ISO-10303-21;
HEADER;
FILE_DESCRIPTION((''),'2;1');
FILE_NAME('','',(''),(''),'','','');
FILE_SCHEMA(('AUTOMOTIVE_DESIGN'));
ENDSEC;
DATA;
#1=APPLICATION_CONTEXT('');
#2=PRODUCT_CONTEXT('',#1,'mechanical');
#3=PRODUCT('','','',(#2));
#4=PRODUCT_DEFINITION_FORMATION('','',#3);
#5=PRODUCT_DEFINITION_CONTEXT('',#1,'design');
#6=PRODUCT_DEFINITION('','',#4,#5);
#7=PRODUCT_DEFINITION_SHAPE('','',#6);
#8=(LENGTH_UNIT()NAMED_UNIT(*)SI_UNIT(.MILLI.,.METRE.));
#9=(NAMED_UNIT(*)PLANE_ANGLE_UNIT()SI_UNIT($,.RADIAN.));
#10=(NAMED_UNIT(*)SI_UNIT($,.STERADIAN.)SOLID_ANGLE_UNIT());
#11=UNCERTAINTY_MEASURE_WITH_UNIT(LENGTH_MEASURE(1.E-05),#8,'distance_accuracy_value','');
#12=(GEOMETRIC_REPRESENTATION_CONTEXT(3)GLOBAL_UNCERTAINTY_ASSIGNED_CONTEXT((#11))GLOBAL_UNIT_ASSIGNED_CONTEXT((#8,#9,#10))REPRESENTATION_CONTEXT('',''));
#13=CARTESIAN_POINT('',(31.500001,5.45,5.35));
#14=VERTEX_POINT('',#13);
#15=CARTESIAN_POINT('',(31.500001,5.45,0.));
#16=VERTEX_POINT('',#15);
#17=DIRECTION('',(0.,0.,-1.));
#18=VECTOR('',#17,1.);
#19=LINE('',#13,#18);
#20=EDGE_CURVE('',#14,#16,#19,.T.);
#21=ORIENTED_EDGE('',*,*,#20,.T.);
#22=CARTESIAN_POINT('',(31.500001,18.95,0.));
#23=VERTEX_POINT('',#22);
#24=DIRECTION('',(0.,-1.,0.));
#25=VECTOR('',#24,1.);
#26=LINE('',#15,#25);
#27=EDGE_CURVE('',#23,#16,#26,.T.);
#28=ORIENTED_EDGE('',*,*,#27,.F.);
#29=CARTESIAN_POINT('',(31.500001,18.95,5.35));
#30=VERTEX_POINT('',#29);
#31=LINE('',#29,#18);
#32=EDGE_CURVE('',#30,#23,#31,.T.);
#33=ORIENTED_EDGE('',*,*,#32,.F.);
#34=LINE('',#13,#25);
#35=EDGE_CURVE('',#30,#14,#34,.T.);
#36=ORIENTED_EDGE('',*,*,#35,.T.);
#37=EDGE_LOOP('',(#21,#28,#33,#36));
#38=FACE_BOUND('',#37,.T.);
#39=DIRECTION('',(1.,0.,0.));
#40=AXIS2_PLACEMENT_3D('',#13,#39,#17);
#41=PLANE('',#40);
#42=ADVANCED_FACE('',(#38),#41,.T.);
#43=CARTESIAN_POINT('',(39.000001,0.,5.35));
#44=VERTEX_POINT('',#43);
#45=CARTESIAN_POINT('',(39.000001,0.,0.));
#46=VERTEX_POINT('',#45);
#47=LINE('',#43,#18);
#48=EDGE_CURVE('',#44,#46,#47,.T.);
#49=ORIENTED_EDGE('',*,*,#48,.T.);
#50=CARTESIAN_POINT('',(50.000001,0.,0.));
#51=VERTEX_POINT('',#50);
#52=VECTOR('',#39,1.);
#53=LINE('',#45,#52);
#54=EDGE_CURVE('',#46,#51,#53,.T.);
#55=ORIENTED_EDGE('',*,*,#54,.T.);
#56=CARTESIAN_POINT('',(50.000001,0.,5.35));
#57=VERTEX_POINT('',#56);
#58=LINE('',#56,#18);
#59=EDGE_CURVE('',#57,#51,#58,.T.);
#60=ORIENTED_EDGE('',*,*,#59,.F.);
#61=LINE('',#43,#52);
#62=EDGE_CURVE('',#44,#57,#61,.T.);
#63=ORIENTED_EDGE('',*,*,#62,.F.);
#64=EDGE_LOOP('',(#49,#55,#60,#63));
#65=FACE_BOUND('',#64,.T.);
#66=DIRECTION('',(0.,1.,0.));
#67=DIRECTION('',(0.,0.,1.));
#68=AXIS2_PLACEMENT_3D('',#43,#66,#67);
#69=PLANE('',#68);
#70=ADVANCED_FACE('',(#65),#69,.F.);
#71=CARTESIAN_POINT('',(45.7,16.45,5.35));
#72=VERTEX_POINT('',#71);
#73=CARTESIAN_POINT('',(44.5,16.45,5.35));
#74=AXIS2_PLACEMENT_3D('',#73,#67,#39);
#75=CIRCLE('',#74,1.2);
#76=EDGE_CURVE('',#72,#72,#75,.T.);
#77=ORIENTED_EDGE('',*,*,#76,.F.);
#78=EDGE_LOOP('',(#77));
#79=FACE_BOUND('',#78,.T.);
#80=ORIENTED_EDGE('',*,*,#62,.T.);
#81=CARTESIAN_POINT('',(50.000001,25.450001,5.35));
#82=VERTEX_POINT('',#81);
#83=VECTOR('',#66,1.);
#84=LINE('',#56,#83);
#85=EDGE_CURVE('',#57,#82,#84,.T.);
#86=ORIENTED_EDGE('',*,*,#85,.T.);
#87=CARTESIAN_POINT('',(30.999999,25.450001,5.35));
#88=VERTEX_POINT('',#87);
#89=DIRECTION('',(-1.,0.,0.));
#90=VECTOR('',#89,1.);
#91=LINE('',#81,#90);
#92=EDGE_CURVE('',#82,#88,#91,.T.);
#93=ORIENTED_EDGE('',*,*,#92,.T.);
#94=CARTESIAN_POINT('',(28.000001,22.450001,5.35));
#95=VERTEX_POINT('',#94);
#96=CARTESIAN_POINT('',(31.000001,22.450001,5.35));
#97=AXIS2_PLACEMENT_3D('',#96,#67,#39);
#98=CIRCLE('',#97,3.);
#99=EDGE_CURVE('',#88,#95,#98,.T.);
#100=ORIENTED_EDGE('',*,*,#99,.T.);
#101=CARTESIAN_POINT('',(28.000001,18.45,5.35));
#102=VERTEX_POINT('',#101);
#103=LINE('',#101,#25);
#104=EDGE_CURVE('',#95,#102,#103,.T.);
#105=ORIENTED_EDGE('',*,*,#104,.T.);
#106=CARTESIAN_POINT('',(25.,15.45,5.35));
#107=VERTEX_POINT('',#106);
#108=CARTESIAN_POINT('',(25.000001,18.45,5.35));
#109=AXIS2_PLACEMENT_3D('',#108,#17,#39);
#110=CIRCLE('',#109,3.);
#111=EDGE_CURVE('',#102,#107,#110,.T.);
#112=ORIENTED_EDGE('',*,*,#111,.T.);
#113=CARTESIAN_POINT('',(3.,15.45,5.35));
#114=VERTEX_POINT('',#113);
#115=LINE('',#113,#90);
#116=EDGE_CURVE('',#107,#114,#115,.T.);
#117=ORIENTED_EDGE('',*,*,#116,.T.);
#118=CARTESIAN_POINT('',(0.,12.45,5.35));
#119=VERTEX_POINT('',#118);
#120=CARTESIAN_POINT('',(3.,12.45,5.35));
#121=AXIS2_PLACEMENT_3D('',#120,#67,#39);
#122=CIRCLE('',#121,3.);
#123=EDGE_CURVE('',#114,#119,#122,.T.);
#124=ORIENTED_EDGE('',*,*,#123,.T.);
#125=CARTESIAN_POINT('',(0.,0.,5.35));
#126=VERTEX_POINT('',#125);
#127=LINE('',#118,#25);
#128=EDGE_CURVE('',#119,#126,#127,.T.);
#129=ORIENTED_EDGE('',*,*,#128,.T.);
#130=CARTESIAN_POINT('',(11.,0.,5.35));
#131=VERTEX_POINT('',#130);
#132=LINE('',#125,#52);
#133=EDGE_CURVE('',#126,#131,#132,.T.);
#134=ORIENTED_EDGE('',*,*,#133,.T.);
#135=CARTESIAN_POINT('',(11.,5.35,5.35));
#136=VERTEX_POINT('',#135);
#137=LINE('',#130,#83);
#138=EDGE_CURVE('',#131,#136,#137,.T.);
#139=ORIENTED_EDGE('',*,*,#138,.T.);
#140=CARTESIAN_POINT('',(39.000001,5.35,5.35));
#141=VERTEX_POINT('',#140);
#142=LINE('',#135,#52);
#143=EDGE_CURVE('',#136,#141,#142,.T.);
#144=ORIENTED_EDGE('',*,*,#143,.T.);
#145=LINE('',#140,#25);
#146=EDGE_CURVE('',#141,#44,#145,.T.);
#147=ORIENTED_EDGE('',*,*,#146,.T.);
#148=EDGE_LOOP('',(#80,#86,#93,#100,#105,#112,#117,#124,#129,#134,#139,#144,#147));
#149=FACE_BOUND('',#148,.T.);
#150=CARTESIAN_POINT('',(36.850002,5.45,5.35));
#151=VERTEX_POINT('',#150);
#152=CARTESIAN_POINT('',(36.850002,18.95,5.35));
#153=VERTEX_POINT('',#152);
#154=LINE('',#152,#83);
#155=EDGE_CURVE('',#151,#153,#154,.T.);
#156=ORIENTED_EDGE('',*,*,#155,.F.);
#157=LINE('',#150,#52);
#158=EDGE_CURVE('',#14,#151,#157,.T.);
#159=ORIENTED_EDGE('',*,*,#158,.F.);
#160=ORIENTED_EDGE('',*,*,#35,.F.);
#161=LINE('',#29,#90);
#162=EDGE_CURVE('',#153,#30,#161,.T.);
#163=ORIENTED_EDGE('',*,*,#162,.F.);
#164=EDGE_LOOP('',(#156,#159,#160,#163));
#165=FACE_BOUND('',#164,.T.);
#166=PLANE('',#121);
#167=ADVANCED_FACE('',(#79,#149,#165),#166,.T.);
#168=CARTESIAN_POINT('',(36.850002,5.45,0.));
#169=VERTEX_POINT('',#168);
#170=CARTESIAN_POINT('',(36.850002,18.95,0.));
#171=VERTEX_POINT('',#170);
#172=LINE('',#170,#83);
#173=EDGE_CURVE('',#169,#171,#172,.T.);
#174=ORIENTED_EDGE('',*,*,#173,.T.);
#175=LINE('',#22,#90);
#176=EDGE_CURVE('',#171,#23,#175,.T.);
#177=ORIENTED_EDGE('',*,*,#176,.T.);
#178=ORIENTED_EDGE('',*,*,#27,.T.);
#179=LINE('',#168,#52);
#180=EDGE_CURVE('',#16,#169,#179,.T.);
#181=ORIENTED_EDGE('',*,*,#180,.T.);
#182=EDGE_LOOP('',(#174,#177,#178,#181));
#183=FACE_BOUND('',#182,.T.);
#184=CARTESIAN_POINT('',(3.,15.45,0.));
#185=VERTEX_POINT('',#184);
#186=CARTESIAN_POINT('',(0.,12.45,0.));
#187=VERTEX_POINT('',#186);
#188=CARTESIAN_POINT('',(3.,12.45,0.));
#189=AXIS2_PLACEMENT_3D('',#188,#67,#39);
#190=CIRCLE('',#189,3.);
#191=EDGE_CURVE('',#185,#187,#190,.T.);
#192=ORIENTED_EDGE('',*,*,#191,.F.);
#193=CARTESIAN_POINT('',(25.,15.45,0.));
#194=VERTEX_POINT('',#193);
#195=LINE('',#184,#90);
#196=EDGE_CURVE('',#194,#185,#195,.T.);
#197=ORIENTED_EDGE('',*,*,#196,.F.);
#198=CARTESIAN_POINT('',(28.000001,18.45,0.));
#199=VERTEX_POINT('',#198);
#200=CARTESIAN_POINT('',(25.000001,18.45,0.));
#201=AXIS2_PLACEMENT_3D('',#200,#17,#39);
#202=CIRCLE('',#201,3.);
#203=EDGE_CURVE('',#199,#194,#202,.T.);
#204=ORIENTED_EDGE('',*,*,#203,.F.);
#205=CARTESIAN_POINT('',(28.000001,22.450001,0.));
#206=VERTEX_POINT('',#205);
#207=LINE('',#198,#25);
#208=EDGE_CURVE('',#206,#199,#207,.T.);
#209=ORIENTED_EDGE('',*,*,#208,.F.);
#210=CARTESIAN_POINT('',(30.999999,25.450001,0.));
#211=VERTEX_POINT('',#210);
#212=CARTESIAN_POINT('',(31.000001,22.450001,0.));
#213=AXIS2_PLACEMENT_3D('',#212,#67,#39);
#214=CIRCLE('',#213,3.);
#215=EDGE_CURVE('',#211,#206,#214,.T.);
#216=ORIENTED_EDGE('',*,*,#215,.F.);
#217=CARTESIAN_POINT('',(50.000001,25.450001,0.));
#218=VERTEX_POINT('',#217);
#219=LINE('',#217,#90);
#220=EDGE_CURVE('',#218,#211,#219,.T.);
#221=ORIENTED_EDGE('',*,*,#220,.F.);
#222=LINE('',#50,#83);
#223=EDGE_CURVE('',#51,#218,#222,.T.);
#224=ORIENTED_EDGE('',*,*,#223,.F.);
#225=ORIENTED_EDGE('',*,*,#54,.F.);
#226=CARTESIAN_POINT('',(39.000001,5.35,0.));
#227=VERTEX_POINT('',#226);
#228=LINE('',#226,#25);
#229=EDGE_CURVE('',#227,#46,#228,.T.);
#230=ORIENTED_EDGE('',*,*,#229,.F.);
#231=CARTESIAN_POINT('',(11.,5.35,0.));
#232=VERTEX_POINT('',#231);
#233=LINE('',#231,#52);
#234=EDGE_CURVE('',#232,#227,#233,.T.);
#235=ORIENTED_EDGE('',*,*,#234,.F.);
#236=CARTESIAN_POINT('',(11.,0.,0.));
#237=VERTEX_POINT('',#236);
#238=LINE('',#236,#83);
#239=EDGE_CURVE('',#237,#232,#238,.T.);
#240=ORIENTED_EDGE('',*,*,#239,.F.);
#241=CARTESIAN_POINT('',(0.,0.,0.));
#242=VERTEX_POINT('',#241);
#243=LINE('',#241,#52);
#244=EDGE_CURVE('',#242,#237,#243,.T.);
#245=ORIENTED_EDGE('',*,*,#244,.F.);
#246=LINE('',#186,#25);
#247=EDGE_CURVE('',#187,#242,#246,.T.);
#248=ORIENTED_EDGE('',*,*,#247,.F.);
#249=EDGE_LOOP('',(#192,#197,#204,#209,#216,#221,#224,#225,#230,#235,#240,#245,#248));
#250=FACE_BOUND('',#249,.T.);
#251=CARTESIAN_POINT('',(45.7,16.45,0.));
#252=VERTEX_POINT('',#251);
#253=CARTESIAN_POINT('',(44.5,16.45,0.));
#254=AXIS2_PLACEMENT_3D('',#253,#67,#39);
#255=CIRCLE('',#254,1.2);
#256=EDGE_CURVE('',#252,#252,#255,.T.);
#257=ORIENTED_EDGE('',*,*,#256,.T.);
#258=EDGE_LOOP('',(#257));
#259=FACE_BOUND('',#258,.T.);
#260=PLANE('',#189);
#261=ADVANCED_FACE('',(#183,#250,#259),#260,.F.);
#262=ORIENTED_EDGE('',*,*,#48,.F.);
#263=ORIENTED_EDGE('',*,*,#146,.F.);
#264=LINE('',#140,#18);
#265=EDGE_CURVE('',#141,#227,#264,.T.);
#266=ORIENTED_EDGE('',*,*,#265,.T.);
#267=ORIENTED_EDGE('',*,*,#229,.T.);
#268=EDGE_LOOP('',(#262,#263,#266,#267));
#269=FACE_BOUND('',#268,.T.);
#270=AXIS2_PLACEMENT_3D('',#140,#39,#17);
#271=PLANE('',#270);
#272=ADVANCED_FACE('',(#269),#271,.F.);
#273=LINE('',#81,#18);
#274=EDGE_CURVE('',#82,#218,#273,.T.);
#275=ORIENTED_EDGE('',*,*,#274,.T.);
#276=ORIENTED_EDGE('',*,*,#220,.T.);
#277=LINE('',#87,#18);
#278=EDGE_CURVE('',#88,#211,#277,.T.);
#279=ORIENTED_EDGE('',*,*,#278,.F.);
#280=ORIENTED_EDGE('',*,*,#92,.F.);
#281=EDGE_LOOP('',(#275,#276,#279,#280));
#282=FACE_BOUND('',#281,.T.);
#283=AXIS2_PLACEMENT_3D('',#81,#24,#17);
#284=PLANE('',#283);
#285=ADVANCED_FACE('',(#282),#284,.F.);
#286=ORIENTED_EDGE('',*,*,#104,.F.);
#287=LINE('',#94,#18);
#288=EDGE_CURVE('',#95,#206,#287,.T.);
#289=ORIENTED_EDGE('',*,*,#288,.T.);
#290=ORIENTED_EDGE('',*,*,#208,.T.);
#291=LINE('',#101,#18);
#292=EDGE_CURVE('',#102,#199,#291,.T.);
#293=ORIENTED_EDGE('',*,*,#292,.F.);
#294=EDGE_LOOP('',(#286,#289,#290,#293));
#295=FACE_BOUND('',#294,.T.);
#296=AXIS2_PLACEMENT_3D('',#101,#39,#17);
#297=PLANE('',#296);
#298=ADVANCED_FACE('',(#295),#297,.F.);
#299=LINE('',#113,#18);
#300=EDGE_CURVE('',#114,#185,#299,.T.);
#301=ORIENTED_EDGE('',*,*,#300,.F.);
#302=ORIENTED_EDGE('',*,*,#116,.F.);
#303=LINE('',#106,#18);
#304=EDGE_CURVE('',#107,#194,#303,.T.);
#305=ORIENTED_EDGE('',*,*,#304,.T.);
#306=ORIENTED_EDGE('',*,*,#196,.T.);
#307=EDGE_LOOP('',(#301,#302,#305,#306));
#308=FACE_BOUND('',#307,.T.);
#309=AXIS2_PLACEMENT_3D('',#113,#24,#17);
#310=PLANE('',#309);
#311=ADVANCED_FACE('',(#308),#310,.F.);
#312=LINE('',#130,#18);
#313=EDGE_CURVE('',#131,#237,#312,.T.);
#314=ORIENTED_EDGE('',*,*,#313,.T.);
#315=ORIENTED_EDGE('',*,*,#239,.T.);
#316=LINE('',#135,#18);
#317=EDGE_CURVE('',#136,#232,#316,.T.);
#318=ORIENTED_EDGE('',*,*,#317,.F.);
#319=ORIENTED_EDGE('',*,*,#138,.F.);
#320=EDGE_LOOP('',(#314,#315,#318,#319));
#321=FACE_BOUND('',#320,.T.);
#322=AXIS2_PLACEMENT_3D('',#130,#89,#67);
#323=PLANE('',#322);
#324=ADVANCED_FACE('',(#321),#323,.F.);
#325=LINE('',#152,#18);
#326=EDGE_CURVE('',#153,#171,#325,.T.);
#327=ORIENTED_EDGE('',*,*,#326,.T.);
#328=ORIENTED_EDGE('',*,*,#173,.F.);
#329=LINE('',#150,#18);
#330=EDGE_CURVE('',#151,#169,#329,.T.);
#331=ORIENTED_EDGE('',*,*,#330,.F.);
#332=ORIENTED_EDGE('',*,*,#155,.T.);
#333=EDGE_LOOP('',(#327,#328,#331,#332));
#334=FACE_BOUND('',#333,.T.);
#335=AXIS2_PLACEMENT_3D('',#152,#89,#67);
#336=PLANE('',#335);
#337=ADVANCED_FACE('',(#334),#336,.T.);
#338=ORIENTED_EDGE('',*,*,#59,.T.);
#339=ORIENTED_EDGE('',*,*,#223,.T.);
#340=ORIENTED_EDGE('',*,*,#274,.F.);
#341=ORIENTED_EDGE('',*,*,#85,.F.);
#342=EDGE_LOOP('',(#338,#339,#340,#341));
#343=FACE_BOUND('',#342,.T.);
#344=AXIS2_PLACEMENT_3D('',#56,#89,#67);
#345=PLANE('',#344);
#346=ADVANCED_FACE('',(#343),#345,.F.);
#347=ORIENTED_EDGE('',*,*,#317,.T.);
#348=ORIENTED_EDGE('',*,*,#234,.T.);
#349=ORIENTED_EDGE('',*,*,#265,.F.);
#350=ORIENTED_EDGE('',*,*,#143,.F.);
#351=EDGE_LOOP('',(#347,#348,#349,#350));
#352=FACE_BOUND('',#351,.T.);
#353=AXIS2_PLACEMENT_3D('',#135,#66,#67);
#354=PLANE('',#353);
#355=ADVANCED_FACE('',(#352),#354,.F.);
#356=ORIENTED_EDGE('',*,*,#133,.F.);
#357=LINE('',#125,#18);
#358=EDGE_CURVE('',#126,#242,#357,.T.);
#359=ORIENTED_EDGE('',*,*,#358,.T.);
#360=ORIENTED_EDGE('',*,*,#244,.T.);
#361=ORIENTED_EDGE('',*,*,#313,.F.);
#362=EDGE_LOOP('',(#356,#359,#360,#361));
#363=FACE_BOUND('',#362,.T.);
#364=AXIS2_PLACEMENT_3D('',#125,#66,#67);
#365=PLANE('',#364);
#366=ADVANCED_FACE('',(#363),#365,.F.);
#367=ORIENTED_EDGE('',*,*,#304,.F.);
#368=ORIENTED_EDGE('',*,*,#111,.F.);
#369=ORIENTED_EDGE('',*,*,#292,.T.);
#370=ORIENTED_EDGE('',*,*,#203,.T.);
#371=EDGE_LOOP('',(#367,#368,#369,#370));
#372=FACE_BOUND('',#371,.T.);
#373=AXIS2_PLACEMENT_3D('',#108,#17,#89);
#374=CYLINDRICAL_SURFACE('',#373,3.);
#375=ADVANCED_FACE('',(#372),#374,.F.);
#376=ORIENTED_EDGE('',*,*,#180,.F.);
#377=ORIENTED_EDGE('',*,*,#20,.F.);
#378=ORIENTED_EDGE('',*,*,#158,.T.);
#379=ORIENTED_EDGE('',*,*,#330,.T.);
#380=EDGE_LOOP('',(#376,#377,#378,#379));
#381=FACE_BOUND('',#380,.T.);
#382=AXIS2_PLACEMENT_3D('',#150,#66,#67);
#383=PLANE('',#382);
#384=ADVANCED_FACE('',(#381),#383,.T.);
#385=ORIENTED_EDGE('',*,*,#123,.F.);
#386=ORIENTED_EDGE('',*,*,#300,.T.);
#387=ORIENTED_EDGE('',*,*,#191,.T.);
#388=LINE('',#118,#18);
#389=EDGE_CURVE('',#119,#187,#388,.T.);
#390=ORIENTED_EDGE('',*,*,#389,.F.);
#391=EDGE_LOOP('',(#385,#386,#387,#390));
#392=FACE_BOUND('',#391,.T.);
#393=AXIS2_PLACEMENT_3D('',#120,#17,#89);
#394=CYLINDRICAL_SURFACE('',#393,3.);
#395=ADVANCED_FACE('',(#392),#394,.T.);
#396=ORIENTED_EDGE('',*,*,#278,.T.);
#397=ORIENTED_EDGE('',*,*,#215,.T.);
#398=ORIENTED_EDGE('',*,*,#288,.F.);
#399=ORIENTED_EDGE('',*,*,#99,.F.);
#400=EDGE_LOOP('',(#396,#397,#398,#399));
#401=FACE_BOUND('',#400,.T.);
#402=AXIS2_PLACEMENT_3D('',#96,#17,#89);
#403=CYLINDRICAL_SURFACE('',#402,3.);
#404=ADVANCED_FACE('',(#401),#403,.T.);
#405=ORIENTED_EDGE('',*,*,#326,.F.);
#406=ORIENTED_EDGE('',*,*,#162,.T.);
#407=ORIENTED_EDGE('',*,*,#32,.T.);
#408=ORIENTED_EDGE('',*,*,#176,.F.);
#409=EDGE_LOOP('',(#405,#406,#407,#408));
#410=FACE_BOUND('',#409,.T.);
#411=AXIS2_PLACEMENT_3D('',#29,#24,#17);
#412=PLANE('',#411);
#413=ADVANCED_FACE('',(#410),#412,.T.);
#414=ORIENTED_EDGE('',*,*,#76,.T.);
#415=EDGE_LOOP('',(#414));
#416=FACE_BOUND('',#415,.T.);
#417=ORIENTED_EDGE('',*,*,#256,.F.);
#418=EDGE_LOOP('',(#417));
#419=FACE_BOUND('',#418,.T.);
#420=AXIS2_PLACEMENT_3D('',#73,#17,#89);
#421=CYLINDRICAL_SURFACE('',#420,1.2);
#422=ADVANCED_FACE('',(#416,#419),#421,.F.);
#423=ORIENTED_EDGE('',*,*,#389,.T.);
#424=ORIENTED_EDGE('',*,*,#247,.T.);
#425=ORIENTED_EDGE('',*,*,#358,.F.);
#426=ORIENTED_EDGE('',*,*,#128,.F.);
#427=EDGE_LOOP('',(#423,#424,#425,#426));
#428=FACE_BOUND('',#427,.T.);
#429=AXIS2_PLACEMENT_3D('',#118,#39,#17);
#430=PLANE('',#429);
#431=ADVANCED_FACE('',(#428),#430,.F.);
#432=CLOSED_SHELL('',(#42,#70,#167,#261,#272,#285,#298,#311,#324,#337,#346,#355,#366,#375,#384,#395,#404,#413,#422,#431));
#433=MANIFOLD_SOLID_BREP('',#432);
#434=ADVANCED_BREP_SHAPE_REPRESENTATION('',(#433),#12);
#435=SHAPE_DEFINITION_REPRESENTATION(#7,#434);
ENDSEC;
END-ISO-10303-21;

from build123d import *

# Parameters (mm, degrees)
MODEL_R             = 1.2
MODEL_W             = 5.350001156
MODEL_H             = 13.50000035
BOSS_EXTRUDE1_DEPTH = 5.35


with BuildPart() as part:
    # Model → Boss-Extrude1 (new body)
    with BuildSketch(Plane.XY):
        with BuildLine():
            Line((3.000000026, 15.449999832), (25.000000373, 15.449999832))
            ThreePointArc((25.000000373, 15.449999832), (27.121321034, 16.328679314), (28.000000864, 18.449999832))
            Line((28.000000864, 18.449999832), (28.000000864, 22.45000054))
            ThreePointArc((28.000000864, 22.45000054), (28.878680036, 24.571320398), (30.999999493, 25.450000539))
            Line((30.999999493, 25.450000539), (50.000000745, 25.450000539))
            Line((50.000000745, 25.450000539), (50.000000745, 0))
            Line((50.000000745, 0), (39.000000805, 0))
            Line((39.000000805, 0), (39.000000805, 5.350000225))
            Line((39.000000805, 5.350000225), (10.99999994, 5.350000225))
            Line((10.99999994, 5.350000225), (10.99999994, 0))
            Line((10.99999994, 0), (0, 0))
            Line((0, 0), (0, 12.449999832))
            ThreePointArc((0, 12.449999832), (0.878679666, 14.571320184), (3.000000026, 15.449999832))
        make_face()
        with Locations((44.5, 16.45)):
            Circle(MODEL_R, mode=Mode.SUBTRACT)
        with Locations((34.175001085, 12.20000023)):
            Rectangle(MODEL_W, MODEL_H, mode=Mode.SUBTRACT)
    extrude(amount=BOSS_EXTRUDE1_DEPTH)


solid = part.part
